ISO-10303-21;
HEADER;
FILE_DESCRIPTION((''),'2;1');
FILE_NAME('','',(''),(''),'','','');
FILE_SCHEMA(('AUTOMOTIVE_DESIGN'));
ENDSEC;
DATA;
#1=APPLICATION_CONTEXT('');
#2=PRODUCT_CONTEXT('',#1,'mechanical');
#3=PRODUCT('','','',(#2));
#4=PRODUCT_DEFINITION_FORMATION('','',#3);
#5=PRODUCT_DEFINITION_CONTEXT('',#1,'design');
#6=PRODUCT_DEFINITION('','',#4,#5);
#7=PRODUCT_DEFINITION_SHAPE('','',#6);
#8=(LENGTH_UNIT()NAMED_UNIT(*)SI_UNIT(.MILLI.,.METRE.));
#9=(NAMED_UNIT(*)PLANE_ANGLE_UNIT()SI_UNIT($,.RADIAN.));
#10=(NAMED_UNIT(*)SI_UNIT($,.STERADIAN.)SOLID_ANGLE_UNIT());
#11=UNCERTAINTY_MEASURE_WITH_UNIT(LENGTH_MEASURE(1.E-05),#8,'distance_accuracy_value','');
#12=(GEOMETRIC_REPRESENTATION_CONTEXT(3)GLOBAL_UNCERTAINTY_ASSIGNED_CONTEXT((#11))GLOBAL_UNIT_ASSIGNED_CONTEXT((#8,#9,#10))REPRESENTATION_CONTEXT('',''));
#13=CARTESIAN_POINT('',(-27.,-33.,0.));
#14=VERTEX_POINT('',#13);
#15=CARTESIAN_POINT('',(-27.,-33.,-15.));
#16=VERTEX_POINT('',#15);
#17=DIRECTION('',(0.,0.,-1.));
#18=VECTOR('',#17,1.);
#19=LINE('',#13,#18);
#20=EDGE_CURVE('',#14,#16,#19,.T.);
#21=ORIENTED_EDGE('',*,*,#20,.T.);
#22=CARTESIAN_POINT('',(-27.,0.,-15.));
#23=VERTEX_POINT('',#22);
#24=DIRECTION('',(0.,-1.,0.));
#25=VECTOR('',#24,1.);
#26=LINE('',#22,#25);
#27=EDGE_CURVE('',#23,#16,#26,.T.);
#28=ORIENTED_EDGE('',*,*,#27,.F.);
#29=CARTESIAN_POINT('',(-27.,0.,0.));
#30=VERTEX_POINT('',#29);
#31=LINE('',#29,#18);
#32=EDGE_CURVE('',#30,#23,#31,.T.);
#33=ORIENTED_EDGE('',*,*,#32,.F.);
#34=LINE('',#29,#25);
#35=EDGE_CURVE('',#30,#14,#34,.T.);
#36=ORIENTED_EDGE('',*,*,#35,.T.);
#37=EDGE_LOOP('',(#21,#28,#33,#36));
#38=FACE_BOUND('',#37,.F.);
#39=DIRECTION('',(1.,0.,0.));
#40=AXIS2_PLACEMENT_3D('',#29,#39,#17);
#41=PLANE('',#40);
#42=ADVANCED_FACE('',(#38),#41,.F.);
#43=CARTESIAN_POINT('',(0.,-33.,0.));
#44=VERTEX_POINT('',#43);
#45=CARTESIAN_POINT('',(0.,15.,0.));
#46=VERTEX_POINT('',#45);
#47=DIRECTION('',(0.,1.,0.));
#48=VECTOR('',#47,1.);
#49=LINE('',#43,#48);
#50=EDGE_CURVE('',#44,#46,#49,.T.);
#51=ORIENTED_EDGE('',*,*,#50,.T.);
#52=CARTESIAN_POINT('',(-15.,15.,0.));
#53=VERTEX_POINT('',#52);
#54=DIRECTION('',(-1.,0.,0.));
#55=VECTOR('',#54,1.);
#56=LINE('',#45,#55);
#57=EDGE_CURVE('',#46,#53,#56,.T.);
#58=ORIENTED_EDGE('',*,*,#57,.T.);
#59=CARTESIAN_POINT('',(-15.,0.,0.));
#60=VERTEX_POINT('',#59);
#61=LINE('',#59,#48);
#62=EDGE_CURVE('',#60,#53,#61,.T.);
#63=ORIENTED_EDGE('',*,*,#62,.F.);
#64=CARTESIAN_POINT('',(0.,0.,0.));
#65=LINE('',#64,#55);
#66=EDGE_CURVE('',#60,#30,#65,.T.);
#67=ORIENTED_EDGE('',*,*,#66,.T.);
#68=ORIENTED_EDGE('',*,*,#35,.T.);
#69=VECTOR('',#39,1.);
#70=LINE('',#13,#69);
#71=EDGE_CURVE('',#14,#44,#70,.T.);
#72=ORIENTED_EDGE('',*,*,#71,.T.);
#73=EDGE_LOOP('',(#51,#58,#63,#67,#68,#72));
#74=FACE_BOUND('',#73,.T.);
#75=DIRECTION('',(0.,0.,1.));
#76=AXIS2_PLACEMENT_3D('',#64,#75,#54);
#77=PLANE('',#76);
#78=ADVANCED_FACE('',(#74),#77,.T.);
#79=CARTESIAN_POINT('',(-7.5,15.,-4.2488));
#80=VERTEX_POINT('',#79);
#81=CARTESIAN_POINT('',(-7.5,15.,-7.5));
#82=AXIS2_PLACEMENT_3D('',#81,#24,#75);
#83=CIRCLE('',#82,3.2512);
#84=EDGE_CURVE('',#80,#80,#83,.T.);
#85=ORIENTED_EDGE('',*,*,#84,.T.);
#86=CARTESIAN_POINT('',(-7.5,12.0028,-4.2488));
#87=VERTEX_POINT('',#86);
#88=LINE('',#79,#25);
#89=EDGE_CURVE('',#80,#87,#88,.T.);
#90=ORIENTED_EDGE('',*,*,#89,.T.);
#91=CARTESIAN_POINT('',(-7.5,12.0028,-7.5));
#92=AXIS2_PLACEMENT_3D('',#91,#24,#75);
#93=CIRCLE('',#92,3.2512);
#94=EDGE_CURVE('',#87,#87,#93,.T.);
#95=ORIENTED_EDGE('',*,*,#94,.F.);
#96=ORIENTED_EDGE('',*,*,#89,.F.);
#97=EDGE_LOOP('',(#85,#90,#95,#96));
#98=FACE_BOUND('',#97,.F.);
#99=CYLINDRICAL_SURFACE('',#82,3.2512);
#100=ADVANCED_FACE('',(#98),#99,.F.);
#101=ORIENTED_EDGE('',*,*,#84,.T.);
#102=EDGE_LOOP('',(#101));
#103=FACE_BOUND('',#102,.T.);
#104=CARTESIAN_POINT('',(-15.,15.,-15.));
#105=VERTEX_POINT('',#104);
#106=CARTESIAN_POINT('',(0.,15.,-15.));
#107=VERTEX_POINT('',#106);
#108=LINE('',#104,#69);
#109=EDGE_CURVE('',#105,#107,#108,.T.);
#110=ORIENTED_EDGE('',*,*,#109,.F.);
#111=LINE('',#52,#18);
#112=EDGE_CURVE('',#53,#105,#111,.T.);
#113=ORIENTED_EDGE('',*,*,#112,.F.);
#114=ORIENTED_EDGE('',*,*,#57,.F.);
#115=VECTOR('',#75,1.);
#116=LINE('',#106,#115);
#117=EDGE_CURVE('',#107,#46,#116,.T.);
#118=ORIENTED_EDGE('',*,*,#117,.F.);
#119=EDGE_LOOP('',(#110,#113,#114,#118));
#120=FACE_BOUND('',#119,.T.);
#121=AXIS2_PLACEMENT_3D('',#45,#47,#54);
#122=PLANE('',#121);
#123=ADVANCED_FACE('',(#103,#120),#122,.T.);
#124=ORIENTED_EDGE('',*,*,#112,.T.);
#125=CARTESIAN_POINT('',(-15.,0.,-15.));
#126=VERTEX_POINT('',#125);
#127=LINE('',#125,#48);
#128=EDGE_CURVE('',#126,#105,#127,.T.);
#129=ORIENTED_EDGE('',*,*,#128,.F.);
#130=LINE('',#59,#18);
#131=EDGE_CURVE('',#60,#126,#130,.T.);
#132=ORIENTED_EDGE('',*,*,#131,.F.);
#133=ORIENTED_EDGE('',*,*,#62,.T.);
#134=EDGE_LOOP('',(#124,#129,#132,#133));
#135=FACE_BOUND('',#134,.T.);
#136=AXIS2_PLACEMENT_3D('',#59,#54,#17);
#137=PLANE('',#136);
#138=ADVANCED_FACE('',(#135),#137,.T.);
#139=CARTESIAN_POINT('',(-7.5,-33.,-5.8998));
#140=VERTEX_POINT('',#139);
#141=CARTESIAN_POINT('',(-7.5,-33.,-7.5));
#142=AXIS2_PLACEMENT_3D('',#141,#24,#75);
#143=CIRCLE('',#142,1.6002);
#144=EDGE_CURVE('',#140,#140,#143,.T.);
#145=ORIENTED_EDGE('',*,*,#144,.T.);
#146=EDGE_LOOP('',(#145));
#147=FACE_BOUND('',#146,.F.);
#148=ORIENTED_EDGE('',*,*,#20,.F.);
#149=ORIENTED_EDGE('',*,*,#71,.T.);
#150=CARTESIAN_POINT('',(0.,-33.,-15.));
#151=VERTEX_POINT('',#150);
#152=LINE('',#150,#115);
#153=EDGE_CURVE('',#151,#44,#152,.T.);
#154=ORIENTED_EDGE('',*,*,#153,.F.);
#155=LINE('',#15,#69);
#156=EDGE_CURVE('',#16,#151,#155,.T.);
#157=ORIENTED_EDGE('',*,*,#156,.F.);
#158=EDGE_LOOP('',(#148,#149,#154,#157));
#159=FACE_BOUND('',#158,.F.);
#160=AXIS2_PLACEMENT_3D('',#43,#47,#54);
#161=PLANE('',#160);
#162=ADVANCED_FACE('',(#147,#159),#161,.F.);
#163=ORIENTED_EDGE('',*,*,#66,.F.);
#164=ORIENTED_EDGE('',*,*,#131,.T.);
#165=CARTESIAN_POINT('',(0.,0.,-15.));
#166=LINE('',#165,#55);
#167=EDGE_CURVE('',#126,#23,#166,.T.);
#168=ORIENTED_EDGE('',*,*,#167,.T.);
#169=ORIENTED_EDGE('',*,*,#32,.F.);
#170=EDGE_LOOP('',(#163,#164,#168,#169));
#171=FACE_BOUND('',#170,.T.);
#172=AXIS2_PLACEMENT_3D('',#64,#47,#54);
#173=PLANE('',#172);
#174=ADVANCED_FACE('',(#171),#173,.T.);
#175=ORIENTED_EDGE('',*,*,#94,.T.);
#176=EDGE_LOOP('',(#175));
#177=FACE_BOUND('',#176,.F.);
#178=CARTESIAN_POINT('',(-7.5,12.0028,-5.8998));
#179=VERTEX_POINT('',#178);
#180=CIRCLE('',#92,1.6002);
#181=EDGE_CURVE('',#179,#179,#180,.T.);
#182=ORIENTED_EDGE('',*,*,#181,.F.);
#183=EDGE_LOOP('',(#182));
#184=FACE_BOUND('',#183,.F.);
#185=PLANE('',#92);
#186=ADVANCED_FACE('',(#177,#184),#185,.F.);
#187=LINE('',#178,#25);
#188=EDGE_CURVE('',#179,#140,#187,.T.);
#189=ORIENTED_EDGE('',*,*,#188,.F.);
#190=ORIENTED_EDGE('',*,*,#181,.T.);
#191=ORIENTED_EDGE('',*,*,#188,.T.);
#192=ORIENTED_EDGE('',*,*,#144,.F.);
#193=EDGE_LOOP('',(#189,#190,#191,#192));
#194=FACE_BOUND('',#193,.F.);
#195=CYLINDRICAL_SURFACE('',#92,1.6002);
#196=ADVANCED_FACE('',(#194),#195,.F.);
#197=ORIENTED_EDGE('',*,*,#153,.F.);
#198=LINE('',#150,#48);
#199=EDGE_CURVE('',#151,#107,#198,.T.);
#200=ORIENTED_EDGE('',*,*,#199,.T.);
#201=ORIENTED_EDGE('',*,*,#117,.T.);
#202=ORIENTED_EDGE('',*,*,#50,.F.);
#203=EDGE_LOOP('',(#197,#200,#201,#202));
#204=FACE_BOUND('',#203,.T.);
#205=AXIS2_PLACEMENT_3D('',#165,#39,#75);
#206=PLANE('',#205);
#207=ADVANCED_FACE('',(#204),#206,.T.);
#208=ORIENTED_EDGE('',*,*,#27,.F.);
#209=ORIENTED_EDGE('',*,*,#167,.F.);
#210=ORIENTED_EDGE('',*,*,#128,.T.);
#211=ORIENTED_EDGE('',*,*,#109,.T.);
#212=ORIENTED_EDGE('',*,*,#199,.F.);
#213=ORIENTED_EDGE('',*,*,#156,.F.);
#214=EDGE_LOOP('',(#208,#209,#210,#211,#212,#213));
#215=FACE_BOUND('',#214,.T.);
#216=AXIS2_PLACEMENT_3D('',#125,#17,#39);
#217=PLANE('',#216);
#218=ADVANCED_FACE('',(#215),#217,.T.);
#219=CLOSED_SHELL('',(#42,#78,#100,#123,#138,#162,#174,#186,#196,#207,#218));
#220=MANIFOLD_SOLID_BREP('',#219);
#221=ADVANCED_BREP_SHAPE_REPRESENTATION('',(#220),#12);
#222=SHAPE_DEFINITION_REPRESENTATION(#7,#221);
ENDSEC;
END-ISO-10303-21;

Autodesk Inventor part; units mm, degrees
ref_plane "YZ Plane" through (0, 0, 0) normal (1, 0, 0) x (0, 1, 0)
ref_plane "XZ Plane" through (0, 0, 0) normal (0, 1, 0) x (-1, 0, 0)
ref_plane "XY Plane" through (0, 0, 0) normal (0, 0, 1) x (1, 0, 0)
sketch "Base Profile" plane through (0, 0, 0) normal (0, 1, 0) x (-1, 0, 0)
  line L0 (0, 0) -> (15, 0)
  line L1 (15, 0) -> (15, -15)
  line L2 (15, -15) -> (0, -15)
  line L3 (0, -15) -> (0, 0)
  line L4 (15, 0) -> (27, 0)
  line L5 (27, 0) -> (27, -15)
  line L6 (27, -15) -> (15, -15)
  dimension "d413" = 15
  dimension "d414" = 15
  dimension "d417" = 12
extrude "Stock" add sketch "Base Profile" against normal blind 33
extrude "Extrusion Post" add sketch "Base Profile" along normal blind 15 contours L0 L1 L2 L3
sketch "Sketch39" plane through (0, 15, 0) normal (0, 1, 0) x (1, 0, 0)
  line L0 (0, 15) -> (-15, 15) projected
  line L1 (-15, 15) -> (-15, 0) projected
  line L2 (-15, 0) -> (0, 0) projected
  line L3 (0, 0) -> (0, 15) projected
  circle A0 centre (-7.5, 7.5) radius 3.175
  point P0 (0, 7.5)
  point P1 (-7.5, 0)
  dimension "d418" = 6.35
hole "Hole27" at (-7.5, 15, -7.5) direction (0, -1, 0) diameter 3.2004 end through all counterbore diameter 6.5024 counterbore depth 2.9972 clearance for "Socket Head Cap Screw" size "M3" standard "Ansi Metric M Profile"
equation "\"d168\" = extrusionOffset"
equation "\"extrusionWidth\" = 15"
equation "\"idlerLength\" = 12"
equation "\"bearingOffsetFromBottom\" = 7.5"
equation "\"extrusionOffset\" = 33"
equation "\"bearingStackHeight\" = 9"
equation "\"bearingClearance\" = 13"
equation "\"pinSupportLength\" = 2"
properties part number "A Idler" material "Aluminum 6061"
